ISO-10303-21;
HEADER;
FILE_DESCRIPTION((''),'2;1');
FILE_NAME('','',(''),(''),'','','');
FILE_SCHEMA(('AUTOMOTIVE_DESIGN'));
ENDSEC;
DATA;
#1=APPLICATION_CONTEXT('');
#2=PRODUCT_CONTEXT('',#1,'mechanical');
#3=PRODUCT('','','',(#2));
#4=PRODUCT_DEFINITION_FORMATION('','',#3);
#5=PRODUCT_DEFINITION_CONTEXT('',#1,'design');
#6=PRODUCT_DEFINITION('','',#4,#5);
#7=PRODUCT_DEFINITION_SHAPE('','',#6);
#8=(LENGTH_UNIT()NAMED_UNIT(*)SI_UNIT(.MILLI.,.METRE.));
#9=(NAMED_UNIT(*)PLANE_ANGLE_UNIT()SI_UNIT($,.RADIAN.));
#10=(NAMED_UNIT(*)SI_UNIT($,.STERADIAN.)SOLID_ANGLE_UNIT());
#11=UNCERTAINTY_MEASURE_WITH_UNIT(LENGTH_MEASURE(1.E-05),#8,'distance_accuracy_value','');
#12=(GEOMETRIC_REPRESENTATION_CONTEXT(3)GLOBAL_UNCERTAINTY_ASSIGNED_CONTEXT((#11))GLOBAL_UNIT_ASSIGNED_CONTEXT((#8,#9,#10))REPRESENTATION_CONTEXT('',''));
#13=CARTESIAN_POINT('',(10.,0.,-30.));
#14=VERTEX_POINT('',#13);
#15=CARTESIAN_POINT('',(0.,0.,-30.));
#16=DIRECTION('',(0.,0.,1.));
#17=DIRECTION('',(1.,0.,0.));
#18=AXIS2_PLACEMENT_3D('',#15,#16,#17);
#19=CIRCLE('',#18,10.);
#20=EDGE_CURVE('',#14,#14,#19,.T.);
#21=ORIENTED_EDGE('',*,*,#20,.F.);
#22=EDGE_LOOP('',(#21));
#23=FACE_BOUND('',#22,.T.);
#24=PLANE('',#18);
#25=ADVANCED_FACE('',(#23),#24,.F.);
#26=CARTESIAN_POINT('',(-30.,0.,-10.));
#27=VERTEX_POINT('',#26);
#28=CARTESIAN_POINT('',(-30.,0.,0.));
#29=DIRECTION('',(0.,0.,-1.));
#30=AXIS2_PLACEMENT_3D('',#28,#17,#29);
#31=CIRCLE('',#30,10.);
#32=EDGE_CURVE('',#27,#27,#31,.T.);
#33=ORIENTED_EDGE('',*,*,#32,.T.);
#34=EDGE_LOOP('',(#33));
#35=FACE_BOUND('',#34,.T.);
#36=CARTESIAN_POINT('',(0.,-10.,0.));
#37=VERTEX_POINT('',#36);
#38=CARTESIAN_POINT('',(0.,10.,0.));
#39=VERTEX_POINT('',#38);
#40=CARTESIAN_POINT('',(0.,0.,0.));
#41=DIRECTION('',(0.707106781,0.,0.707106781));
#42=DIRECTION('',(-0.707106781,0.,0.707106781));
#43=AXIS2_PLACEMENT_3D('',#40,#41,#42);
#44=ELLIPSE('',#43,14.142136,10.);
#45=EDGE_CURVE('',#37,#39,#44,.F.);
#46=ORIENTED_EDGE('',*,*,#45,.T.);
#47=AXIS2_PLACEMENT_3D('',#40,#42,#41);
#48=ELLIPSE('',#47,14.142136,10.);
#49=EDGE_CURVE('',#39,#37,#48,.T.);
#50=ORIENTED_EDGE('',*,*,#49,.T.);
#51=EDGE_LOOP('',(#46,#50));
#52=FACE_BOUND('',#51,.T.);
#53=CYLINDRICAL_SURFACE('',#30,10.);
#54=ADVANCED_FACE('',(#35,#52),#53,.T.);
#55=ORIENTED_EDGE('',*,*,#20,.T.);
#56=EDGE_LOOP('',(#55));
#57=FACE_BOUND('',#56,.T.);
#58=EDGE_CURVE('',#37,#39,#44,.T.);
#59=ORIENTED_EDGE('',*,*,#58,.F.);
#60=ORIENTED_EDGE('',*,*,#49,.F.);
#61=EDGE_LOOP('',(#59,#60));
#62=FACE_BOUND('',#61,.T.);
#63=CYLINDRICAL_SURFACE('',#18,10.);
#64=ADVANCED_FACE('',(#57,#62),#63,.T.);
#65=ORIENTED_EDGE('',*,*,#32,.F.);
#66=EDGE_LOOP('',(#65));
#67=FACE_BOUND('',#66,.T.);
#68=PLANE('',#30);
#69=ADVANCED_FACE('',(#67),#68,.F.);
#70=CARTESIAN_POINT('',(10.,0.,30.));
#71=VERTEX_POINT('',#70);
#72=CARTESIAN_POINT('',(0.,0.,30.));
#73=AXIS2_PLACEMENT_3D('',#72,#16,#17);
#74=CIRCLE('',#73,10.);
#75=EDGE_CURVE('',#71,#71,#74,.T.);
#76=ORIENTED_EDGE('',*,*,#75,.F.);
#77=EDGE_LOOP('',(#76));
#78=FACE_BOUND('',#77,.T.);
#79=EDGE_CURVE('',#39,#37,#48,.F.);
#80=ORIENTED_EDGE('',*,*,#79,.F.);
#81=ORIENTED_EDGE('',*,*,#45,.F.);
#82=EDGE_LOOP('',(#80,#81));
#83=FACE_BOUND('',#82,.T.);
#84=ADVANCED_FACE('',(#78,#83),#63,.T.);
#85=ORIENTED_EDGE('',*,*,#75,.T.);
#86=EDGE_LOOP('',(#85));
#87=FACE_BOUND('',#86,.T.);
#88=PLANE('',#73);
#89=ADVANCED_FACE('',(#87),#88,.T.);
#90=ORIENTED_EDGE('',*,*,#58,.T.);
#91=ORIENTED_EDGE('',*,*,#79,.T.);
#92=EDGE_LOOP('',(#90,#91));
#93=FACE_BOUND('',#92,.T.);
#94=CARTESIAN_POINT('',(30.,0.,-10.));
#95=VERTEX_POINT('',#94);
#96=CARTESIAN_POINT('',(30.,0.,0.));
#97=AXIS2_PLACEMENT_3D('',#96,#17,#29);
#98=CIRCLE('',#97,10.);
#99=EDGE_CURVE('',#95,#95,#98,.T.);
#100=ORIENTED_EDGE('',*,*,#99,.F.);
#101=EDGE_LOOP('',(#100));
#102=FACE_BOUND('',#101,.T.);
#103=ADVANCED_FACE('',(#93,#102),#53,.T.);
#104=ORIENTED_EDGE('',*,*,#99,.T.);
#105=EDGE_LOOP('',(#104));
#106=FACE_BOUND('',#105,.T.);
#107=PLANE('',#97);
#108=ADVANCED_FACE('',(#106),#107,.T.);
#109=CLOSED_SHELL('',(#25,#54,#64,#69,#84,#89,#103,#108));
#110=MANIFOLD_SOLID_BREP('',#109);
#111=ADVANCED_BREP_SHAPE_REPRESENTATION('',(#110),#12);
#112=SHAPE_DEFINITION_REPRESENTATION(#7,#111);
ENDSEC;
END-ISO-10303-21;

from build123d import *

# Parameters (mm, degrees)
BOSS_EXTRUDE1_DEPTH      = 30
BOSS_EXTRUDE1_DEPTH_BACK = 30
SKETCH1_R                = 10
BOSS_EXTRUDE2_DEPTH      = 30
BOSS_EXTRUDE2_DEPTH_BACK = 30
SKETCH2_R                = 10


with BuildPart() as part:
    # Sketch1 → Boss-Extrude1 (new, two sides: drawn at the far end of the back side and taken through both)
    with BuildSketch(Plane.XY.offset(-BOSS_EXTRUDE1_DEPTH_BACK)):
        Circle(SKETCH1_R)
    extrude(amount=BOSS_EXTRUDE1_DEPTH + BOSS_EXTRUDE1_DEPTH_BACK)

    # Sketch2 → Boss-Extrude2 (add, two sides: drawn at the far end of the back side and taken through both)
    with BuildSketch(Plane(origin=(0, 0, 0), x_dir=(0, 0, -1), z_dir=(1, 0, 0)).offset(-BOSS_EXTRUDE2_DEPTH_BACK)):
        Circle(SKETCH2_R)
    extrude(amount=BOSS_EXTRUDE2_DEPTH + BOSS_EXTRUDE2_DEPTH_BACK)


solid = part.part
